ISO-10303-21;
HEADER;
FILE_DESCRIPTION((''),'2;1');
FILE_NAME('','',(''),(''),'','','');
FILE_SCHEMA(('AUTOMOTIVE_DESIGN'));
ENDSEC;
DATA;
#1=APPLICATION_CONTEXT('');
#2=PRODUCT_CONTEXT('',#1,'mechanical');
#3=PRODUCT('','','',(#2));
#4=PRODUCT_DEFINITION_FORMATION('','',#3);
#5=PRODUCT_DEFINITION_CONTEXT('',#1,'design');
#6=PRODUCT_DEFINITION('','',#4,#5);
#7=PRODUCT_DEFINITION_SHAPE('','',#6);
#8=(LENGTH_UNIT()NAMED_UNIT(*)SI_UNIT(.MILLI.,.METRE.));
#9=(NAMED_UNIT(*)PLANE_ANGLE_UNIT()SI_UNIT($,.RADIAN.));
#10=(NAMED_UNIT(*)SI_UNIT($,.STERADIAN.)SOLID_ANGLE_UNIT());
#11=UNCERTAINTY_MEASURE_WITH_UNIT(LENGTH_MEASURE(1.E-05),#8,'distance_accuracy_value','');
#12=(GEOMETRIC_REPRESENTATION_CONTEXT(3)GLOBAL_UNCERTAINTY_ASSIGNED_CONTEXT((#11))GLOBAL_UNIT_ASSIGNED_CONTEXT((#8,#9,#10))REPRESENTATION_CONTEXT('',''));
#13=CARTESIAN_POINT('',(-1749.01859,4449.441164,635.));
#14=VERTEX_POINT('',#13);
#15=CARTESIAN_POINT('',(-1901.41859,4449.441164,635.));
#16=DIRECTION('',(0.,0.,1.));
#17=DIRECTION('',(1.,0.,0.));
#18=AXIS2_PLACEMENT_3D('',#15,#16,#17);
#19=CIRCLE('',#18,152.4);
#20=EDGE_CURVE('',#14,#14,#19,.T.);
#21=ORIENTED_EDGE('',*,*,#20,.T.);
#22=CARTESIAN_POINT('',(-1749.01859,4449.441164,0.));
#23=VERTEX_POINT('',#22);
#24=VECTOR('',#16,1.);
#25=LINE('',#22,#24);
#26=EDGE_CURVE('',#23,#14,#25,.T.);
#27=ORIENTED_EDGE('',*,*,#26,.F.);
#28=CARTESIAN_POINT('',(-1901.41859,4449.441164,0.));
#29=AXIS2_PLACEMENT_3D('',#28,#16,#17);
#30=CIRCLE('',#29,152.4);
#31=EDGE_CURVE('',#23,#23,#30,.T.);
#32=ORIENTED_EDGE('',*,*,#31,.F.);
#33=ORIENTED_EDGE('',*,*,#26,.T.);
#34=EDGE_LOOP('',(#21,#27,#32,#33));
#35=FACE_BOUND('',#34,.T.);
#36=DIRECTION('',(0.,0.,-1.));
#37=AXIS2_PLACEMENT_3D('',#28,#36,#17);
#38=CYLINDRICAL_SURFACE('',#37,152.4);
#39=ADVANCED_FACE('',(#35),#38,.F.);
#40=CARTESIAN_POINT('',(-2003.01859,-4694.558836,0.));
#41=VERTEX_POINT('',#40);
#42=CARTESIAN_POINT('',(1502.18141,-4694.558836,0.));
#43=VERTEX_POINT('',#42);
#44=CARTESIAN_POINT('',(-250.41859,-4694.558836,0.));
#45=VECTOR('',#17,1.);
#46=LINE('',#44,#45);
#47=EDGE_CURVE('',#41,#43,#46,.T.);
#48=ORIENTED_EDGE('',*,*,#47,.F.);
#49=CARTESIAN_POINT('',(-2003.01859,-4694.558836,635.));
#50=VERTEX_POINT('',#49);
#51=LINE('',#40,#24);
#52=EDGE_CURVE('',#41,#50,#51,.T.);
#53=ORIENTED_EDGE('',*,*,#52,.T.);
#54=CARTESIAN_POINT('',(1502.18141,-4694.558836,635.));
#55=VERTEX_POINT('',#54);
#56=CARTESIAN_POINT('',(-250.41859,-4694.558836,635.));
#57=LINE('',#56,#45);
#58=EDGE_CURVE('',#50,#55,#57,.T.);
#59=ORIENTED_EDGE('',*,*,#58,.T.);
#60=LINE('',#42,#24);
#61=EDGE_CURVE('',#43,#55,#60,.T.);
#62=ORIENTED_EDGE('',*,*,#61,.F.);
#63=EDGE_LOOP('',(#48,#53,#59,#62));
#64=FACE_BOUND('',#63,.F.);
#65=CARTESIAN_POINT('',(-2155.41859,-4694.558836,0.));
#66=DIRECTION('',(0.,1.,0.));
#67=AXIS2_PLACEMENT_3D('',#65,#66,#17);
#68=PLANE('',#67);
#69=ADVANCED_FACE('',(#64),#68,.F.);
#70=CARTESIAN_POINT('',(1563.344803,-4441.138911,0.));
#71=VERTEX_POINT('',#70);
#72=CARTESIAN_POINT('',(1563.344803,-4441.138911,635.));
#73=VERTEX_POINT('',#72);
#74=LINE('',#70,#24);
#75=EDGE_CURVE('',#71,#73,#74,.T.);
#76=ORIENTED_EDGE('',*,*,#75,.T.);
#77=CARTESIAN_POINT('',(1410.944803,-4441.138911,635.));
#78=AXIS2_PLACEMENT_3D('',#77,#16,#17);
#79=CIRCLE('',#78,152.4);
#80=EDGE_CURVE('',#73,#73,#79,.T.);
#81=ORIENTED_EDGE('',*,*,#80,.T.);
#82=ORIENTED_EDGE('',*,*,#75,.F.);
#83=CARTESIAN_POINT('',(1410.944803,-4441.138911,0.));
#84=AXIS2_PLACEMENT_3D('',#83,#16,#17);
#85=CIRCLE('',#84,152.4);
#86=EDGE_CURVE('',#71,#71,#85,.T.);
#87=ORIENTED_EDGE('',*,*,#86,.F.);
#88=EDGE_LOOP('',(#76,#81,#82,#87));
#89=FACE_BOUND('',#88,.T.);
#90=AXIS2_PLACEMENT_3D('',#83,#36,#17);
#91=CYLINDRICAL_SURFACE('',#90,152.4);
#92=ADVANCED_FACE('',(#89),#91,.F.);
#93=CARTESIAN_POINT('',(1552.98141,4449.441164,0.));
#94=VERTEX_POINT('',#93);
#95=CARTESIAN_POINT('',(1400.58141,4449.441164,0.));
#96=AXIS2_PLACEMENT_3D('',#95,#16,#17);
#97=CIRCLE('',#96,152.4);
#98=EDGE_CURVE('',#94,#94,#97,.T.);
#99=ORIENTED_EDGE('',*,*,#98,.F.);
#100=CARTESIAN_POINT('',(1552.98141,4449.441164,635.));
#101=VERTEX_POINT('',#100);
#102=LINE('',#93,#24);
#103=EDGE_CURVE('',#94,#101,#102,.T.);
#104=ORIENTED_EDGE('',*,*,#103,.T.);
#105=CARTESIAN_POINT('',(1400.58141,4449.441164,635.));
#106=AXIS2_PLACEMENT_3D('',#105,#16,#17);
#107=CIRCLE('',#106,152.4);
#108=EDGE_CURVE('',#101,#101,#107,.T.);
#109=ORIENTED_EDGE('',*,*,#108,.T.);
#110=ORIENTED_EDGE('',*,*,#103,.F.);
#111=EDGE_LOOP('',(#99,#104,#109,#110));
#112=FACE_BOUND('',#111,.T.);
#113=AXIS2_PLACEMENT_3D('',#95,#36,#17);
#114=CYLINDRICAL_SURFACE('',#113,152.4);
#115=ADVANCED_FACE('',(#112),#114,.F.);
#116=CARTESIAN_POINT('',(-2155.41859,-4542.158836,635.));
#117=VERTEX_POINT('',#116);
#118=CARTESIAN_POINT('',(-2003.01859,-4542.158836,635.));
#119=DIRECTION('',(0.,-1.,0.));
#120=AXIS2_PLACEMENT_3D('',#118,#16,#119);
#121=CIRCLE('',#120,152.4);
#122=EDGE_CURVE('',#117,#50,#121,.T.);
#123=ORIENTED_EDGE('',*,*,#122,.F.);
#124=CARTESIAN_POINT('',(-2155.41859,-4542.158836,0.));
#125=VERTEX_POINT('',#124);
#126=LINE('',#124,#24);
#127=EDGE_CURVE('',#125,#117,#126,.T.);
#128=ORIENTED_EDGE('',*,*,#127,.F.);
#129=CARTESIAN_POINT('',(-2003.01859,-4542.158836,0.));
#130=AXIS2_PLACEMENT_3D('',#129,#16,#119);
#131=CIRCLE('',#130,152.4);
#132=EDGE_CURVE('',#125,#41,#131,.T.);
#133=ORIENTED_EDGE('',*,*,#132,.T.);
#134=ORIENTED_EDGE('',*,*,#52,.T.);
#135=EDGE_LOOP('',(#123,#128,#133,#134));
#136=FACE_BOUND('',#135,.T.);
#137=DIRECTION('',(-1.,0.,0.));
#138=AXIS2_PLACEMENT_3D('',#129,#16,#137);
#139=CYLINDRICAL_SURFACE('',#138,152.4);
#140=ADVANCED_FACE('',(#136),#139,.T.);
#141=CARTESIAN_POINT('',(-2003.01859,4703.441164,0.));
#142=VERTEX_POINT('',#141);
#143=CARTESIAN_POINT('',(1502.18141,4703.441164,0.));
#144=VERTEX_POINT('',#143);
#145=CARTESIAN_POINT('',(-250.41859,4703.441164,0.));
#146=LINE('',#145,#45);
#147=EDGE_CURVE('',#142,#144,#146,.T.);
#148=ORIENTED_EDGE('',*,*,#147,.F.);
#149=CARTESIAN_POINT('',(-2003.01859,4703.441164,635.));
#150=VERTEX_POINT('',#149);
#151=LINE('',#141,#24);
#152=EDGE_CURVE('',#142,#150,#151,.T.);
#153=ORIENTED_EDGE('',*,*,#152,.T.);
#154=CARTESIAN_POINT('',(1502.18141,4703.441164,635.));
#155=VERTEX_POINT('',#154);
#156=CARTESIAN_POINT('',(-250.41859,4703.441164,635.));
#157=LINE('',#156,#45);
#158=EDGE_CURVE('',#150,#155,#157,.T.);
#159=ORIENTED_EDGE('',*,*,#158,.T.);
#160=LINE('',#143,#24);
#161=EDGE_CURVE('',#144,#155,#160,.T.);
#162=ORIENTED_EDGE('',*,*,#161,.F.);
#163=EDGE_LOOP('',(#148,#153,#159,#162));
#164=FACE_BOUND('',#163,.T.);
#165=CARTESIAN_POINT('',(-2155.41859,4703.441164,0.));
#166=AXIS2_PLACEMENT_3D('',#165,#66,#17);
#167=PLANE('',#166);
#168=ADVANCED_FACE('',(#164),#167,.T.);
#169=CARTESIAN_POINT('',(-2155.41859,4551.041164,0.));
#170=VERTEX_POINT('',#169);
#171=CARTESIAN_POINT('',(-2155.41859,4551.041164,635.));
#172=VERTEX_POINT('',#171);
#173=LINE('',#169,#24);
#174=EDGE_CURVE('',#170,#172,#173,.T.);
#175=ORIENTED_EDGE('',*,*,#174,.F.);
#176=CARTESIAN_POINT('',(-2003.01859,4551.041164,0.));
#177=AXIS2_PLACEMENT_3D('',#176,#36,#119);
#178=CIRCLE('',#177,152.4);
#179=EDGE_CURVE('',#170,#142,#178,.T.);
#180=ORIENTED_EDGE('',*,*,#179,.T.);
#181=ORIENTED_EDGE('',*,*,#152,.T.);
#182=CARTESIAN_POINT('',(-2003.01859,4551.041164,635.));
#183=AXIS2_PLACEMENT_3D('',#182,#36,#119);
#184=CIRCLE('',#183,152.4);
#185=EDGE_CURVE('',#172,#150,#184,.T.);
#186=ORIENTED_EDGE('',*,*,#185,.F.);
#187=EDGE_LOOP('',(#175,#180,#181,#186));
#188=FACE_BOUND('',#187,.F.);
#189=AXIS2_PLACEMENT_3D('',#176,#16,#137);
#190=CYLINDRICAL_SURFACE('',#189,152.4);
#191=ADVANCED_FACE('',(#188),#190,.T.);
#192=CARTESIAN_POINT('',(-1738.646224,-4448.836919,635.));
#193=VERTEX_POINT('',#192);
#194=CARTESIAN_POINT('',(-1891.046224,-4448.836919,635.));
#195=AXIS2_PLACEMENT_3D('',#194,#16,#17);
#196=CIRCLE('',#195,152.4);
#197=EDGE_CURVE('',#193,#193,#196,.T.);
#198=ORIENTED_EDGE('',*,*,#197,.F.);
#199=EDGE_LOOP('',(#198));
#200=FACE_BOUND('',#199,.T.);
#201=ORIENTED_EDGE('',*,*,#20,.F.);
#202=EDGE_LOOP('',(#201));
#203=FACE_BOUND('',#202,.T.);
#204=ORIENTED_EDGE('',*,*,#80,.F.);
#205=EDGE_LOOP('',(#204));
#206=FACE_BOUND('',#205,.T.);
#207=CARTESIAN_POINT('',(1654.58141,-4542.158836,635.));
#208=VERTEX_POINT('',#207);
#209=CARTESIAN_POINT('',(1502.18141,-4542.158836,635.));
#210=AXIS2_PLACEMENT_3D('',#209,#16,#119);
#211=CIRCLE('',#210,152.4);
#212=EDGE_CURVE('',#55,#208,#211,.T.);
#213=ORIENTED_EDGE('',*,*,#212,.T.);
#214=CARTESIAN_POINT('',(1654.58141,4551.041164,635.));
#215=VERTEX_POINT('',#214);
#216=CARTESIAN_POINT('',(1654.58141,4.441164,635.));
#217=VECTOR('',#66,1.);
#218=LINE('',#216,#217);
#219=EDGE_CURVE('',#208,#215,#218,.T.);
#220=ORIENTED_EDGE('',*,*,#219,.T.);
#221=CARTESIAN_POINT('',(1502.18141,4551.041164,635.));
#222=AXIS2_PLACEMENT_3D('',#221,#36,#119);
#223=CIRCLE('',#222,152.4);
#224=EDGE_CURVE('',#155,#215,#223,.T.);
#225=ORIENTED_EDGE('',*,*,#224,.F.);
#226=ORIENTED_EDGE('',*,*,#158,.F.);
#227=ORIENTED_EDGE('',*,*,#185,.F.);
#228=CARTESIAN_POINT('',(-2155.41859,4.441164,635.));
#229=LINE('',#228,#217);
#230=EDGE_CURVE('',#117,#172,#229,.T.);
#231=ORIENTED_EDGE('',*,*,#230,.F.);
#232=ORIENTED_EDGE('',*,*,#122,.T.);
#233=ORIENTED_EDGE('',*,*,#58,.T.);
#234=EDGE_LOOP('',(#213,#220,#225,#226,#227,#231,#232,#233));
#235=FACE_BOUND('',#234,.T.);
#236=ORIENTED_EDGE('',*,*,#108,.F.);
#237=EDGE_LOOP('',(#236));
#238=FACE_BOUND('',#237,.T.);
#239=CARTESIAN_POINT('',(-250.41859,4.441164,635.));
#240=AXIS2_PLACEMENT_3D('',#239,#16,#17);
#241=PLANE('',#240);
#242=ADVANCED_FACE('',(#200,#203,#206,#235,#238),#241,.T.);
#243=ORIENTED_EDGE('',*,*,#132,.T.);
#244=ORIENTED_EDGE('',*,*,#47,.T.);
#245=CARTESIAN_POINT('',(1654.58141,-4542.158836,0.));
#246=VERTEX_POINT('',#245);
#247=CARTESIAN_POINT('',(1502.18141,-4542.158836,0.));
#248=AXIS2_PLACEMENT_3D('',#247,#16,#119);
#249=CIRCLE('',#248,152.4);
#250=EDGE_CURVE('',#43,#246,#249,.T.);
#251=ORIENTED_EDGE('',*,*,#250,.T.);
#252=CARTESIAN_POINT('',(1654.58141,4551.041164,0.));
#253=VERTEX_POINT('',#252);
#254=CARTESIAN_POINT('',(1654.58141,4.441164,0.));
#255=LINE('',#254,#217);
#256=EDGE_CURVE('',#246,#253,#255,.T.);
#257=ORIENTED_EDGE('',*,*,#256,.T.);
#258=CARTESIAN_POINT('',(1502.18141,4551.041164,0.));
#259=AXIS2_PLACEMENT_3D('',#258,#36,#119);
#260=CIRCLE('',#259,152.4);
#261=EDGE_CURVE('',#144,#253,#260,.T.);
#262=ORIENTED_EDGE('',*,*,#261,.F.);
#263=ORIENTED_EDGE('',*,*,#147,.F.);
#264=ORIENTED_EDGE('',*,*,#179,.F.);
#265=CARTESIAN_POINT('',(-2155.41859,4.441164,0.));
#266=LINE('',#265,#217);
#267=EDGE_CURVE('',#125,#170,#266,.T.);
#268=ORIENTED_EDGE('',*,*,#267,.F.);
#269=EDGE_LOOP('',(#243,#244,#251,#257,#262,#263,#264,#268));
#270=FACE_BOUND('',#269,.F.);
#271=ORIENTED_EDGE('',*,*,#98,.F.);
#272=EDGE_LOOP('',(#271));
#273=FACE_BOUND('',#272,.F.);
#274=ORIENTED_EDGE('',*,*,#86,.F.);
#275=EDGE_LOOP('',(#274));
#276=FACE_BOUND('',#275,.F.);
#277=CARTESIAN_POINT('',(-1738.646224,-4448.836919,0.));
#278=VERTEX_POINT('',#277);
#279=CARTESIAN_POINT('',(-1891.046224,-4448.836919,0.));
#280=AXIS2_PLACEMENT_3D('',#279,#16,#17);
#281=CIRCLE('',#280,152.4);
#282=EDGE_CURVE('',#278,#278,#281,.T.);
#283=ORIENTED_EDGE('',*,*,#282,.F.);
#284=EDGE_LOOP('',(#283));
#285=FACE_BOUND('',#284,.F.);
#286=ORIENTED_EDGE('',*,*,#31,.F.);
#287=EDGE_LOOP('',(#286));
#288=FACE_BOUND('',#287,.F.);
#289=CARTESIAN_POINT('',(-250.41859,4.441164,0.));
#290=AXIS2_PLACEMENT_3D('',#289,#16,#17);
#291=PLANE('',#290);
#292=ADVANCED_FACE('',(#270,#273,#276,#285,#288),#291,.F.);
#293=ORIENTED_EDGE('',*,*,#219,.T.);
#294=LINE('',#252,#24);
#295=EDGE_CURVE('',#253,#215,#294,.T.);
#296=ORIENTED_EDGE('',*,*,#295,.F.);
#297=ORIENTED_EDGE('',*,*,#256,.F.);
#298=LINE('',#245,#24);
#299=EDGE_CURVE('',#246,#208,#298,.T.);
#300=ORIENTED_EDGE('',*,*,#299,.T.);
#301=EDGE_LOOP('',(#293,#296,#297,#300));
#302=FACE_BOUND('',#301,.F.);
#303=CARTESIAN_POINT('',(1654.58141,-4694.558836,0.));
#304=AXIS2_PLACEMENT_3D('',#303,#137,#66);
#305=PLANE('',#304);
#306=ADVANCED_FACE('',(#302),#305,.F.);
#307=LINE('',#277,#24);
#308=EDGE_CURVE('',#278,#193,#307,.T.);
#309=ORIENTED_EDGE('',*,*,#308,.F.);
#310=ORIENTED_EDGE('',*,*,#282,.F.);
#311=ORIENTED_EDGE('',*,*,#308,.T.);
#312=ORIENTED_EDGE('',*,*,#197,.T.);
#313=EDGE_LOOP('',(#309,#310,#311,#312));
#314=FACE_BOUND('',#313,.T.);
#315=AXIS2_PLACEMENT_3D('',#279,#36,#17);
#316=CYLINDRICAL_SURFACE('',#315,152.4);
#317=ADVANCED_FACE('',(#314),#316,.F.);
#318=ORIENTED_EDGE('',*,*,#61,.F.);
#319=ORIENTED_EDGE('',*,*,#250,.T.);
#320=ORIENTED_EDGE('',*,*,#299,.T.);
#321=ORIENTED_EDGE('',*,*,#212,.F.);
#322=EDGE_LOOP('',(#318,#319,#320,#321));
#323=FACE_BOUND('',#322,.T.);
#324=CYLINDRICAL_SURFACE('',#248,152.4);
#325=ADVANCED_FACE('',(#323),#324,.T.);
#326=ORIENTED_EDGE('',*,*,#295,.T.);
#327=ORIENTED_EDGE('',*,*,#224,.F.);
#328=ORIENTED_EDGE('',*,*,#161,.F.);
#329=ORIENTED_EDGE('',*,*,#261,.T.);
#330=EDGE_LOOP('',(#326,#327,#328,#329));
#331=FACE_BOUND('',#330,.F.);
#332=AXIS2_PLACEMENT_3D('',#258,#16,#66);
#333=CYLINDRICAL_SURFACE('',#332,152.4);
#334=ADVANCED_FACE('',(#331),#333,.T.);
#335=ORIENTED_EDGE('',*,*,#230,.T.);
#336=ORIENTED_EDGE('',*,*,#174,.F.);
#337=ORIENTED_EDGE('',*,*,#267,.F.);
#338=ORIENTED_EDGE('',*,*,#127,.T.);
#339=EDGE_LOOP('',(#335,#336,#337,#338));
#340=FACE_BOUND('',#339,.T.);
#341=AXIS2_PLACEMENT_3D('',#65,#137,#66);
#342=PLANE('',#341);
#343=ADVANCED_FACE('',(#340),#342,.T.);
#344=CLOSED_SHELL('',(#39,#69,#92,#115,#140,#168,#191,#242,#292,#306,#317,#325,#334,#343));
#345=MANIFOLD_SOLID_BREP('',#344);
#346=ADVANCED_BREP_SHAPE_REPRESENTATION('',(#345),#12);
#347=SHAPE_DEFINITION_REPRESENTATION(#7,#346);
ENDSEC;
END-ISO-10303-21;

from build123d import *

# Parameters (mm, degrees)
F0_W     = 3810
F0_H     = 9398
F0_R     = 152.4
F1_DEPTH = 635
F2_R     = 152.4


with BuildPart() as f1:
    # F0 (on Top) → F1 (new body)
    with BuildSketch(Plane.XY):
        with Locations((-250.41859, 4.441164)):
            Rectangle(F0_W, F0_H)
        with Locations((-1891.046224, -4448.836919)):
            Circle(F0_R, mode=Mode.SUBTRACT)
        with Locations((1410.944803, -4441.138911)):
            Circle(F0_R, mode=Mode.SUBTRACT)
        with Locations((-1901.41859, 4449.441164)):
            Circle(F0_R, mode=Mode.SUBTRACT)
        with Locations((1400.58141, 4449.441164)):
            Circle(F0_R, mode=Mode.SUBTRACT)
    extrude(amount=F1_DEPTH)

    # F2
    f2_edges = [f1.edges().sort_by_distance(p)[0] for p in [
        (1654.58141, 4703.441164, 317.5),
        (-2155.41859, 4703.441164, 317.5),
        (-2155.41859, -4694.558836, 317.5),
        (1654.58141, -4694.558836, 317.5),
    ]]
    fillet(f2_edges, radius=F2_R)


solid = f1.part
